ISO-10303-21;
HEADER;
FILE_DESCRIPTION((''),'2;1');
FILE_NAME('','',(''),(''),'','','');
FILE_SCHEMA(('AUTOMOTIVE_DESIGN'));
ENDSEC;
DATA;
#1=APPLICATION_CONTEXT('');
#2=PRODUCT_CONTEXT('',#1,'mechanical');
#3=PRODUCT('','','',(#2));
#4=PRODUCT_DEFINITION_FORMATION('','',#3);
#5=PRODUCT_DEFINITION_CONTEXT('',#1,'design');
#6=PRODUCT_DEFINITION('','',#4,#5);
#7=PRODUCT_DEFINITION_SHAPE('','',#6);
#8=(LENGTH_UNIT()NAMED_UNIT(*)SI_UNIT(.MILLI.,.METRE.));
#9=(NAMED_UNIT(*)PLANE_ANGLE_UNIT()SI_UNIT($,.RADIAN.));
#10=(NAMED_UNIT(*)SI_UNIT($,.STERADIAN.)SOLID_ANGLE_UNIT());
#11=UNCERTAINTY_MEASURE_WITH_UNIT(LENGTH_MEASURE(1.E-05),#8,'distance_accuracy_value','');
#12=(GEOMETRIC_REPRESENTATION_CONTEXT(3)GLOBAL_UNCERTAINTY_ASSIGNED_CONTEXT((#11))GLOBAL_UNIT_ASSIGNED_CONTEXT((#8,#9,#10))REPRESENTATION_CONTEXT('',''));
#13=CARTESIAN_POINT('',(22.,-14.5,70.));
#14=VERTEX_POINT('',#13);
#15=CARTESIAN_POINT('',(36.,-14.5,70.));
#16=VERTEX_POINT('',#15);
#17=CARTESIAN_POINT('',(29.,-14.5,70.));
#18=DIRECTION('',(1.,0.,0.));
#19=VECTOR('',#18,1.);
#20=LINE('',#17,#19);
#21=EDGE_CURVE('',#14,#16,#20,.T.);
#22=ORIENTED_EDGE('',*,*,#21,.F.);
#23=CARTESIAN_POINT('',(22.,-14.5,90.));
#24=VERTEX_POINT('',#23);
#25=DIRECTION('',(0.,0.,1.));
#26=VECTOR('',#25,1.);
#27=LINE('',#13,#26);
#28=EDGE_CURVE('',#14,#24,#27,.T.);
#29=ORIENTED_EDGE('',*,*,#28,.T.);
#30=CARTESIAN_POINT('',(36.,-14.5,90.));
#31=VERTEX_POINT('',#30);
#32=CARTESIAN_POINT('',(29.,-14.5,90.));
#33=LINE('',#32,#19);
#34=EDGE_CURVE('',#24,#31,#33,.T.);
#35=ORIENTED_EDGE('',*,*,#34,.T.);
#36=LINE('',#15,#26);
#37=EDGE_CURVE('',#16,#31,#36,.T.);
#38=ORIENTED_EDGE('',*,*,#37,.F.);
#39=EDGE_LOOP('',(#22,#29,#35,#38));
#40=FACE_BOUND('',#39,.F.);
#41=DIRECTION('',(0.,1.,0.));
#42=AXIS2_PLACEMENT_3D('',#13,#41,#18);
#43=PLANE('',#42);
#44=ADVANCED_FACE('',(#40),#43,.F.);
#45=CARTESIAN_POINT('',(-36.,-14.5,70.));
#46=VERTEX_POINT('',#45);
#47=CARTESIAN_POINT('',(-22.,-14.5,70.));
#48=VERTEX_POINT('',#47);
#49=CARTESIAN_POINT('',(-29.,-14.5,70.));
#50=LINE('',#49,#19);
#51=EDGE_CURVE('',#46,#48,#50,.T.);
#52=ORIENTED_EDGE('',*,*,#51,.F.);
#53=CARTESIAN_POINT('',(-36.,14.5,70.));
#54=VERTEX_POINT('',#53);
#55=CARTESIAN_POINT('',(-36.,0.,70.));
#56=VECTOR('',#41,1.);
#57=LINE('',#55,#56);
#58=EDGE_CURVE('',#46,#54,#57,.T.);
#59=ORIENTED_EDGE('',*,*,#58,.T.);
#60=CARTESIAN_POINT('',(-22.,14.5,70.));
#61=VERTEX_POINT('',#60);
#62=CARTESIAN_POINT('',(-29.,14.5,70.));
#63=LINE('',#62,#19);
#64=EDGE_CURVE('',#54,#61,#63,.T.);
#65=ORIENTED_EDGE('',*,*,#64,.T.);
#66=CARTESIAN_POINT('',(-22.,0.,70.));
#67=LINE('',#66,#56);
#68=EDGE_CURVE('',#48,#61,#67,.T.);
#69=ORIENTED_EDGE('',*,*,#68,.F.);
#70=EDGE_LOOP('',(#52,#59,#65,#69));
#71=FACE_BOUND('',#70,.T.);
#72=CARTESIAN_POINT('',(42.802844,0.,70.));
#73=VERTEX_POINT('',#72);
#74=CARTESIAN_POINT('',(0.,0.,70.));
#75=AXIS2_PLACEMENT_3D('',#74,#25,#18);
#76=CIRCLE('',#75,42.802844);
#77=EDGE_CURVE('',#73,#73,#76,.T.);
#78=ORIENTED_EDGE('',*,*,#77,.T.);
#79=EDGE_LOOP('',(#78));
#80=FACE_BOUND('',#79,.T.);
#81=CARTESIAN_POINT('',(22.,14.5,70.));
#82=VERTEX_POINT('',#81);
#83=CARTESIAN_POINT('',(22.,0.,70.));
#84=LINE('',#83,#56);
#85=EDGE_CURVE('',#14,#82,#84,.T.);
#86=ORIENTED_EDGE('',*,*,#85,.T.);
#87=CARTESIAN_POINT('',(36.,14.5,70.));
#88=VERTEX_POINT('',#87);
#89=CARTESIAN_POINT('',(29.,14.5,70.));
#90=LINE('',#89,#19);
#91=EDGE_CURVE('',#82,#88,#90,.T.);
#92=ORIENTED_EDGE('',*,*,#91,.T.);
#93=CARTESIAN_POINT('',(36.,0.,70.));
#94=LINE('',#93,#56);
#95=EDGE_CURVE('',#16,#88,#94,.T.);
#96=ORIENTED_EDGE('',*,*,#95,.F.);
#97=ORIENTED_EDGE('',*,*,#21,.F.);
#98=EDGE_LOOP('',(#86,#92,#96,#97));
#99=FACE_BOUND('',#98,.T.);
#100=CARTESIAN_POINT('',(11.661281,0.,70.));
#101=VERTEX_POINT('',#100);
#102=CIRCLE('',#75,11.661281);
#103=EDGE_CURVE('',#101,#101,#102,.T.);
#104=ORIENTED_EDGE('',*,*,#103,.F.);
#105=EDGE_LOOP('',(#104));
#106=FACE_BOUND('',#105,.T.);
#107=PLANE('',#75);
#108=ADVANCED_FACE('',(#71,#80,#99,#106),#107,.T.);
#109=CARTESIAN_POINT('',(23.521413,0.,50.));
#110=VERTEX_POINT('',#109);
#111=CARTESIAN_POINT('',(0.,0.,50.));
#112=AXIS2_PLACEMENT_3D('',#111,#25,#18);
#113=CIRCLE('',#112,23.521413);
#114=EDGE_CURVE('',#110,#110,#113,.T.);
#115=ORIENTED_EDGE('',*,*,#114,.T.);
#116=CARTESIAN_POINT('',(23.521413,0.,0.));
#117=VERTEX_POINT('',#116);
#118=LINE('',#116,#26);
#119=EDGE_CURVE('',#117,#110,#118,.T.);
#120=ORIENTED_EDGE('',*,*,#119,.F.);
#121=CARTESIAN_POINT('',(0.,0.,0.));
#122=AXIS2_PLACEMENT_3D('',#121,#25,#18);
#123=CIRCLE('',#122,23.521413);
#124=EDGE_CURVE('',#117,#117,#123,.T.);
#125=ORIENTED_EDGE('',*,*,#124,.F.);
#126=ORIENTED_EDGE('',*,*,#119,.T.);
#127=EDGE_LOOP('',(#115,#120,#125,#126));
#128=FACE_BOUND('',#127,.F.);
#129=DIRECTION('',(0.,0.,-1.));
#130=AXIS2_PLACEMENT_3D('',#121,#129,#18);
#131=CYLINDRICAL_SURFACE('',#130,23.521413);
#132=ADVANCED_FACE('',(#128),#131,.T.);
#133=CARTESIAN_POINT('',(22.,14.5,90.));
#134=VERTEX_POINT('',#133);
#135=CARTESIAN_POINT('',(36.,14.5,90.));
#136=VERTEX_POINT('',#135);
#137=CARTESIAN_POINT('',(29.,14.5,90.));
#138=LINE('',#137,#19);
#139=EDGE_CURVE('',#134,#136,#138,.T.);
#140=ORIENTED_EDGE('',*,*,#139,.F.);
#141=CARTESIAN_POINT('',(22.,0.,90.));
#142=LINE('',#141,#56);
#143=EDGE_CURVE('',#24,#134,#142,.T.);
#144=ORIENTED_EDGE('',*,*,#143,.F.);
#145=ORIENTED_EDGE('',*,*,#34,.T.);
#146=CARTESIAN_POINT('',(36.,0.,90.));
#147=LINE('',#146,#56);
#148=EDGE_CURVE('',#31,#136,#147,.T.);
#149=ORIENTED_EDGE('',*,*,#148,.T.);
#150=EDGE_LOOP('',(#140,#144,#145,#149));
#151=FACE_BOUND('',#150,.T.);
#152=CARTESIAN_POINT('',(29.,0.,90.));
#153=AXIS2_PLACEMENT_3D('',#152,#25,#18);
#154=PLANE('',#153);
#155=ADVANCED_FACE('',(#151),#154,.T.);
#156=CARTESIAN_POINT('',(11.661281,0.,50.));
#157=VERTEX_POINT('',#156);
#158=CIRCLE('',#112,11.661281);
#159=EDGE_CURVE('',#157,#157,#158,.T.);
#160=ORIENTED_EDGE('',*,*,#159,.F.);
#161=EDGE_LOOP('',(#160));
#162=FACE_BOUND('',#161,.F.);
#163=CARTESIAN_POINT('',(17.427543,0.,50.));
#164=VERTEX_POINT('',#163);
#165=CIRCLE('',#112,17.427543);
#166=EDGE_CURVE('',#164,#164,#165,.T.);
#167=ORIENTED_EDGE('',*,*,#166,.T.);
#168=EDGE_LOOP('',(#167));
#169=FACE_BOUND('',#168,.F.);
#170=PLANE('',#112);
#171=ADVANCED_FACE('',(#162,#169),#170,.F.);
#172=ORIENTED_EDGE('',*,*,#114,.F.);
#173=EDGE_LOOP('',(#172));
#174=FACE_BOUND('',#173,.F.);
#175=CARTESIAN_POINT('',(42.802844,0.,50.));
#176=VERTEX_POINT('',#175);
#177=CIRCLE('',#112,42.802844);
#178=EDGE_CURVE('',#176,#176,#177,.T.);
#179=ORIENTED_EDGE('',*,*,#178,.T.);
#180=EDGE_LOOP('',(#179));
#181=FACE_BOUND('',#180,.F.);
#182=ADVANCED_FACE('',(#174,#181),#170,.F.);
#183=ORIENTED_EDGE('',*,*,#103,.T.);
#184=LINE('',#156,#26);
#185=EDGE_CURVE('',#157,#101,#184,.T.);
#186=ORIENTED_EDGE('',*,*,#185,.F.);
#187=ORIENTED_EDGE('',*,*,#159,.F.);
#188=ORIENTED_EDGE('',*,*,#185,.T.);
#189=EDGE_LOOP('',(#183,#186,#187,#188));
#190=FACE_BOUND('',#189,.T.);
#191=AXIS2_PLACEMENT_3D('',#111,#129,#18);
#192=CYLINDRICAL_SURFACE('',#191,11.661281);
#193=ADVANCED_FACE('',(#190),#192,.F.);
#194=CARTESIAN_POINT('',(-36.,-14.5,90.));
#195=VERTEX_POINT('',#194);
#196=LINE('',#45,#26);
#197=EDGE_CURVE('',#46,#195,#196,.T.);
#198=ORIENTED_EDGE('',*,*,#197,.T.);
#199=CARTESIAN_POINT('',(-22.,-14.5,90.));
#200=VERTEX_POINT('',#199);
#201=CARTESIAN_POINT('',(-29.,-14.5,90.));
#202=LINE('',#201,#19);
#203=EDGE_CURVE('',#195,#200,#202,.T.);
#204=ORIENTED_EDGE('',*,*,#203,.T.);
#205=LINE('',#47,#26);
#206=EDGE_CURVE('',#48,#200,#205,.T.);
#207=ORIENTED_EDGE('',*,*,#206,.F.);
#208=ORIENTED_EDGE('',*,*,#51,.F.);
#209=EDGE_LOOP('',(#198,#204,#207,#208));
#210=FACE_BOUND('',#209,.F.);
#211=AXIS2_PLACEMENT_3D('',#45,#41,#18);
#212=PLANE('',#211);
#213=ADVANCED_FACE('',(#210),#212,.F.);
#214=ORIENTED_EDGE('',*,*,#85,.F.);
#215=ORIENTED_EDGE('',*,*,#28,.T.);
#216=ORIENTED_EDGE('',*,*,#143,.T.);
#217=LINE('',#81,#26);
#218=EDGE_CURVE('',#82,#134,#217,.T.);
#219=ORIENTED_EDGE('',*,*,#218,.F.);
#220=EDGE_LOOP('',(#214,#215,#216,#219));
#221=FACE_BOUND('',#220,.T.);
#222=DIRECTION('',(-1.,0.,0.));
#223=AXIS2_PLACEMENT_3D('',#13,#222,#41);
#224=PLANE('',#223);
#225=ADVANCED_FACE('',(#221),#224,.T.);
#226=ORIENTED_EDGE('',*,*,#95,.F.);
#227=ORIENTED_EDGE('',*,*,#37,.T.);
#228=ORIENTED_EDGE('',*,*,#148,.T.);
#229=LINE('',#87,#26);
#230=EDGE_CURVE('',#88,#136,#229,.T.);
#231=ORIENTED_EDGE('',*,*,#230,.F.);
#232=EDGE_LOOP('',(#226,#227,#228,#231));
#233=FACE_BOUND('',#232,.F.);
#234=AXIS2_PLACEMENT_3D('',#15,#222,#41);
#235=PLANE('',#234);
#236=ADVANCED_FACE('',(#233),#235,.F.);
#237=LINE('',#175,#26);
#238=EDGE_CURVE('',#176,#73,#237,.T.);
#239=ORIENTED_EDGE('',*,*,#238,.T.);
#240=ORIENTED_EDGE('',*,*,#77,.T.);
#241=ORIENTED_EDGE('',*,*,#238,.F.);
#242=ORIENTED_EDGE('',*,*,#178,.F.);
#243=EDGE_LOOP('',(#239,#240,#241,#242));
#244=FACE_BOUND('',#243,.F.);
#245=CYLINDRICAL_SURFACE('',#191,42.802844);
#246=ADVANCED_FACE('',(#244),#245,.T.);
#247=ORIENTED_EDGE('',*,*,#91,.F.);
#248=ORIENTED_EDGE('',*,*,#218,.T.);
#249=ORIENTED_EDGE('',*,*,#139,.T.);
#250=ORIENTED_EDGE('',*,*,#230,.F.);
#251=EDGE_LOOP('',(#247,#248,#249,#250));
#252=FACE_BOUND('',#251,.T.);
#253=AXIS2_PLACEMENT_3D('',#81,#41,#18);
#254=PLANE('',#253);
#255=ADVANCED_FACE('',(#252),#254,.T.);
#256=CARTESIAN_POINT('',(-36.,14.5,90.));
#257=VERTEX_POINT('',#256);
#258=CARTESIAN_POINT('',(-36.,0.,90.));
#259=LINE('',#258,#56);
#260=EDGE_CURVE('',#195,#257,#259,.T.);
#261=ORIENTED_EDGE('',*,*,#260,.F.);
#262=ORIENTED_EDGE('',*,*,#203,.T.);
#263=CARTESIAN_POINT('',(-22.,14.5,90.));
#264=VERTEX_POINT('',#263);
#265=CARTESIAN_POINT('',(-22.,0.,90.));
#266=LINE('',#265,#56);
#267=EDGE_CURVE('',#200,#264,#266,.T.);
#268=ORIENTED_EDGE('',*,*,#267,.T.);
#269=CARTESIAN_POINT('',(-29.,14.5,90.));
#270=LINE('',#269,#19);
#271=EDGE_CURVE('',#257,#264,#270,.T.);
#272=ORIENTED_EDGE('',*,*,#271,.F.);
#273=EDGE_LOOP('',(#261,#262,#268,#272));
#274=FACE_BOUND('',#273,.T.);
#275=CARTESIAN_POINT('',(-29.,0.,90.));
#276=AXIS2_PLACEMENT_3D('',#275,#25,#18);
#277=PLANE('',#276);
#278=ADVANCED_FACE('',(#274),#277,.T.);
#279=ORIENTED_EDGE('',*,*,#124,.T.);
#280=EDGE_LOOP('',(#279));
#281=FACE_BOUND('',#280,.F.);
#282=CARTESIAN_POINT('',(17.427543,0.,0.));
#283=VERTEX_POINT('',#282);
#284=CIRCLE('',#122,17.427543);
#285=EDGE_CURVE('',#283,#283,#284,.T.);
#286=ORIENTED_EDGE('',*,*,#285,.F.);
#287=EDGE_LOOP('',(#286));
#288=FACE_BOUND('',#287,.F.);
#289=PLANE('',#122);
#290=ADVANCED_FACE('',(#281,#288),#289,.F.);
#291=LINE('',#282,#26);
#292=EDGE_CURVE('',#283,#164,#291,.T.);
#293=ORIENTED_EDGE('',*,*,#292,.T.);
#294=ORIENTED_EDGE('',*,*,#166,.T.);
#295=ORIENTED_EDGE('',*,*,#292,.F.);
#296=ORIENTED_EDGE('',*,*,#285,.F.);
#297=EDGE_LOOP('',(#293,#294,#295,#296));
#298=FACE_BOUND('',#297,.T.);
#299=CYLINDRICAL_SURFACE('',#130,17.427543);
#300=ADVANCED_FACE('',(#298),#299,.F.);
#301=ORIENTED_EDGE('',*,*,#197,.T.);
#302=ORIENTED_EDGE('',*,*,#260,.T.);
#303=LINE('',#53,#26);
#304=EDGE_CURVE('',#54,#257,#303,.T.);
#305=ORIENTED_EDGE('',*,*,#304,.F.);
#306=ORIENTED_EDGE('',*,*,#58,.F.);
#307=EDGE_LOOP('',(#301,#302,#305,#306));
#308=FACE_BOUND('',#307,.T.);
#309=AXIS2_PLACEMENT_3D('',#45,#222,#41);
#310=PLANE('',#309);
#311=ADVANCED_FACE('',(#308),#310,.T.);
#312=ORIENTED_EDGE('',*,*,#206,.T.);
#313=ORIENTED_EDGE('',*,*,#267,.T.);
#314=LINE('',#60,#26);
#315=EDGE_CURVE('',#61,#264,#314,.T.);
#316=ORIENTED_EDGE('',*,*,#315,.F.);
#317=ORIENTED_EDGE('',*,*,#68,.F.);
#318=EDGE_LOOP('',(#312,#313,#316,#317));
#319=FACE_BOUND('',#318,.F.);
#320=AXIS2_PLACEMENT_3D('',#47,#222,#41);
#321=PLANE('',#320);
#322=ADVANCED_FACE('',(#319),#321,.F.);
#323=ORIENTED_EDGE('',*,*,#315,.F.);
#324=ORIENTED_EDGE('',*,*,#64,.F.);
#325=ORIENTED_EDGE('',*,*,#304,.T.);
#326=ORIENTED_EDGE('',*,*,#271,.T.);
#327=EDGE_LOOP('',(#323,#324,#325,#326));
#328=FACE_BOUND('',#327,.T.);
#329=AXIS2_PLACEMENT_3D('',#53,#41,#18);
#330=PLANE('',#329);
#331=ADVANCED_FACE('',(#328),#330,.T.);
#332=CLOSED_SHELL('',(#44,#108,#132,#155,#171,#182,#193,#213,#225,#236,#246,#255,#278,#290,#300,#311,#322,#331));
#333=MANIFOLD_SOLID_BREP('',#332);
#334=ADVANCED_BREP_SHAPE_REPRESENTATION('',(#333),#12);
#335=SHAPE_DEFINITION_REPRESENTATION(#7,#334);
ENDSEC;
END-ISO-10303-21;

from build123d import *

# Parameters (mm, degrees)
SKETCH_R      = 23.521413
SKETCH_R_2    = 17.427543
PAD_DEPTH     = 50
SKETCH001_R   = 42.802844
SKETCH001_R_2 = 11.661281
PAD001_DEPTH  = 20
SKETCH002_W   = 14
SKETCH002_H   = 29
PAD002_DEPTH  = 20


with BuildPart() as part:
    # Sketch → Pad (new body)
    with BuildSketch(Plane.XY):
        Circle(SKETCH_R)
        Circle(SKETCH_R_2, mode=Mode.SUBTRACT)
    extrude(amount=PAD_DEPTH)

    # Sketch001 → Pad001 (new body)
    with BuildSketch(Plane.XY.offset(50)):
        Circle(SKETCH001_R)
        Circle(SKETCH001_R_2, mode=Mode.SUBTRACT)
    extrude(amount=PAD001_DEPTH)

    # Sketch002 → Pad002 (new body)
    with BuildSketch(Plane.XY.offset(70)):
        with Locations((-29, 0)):
            Rectangle(SKETCH002_W, SKETCH002_H)
        with Locations((29, 0)):
            Rectangle(SKETCH002_W, SKETCH002_H)
    extrude(amount=PAD002_DEPTH)


solid = part.part
